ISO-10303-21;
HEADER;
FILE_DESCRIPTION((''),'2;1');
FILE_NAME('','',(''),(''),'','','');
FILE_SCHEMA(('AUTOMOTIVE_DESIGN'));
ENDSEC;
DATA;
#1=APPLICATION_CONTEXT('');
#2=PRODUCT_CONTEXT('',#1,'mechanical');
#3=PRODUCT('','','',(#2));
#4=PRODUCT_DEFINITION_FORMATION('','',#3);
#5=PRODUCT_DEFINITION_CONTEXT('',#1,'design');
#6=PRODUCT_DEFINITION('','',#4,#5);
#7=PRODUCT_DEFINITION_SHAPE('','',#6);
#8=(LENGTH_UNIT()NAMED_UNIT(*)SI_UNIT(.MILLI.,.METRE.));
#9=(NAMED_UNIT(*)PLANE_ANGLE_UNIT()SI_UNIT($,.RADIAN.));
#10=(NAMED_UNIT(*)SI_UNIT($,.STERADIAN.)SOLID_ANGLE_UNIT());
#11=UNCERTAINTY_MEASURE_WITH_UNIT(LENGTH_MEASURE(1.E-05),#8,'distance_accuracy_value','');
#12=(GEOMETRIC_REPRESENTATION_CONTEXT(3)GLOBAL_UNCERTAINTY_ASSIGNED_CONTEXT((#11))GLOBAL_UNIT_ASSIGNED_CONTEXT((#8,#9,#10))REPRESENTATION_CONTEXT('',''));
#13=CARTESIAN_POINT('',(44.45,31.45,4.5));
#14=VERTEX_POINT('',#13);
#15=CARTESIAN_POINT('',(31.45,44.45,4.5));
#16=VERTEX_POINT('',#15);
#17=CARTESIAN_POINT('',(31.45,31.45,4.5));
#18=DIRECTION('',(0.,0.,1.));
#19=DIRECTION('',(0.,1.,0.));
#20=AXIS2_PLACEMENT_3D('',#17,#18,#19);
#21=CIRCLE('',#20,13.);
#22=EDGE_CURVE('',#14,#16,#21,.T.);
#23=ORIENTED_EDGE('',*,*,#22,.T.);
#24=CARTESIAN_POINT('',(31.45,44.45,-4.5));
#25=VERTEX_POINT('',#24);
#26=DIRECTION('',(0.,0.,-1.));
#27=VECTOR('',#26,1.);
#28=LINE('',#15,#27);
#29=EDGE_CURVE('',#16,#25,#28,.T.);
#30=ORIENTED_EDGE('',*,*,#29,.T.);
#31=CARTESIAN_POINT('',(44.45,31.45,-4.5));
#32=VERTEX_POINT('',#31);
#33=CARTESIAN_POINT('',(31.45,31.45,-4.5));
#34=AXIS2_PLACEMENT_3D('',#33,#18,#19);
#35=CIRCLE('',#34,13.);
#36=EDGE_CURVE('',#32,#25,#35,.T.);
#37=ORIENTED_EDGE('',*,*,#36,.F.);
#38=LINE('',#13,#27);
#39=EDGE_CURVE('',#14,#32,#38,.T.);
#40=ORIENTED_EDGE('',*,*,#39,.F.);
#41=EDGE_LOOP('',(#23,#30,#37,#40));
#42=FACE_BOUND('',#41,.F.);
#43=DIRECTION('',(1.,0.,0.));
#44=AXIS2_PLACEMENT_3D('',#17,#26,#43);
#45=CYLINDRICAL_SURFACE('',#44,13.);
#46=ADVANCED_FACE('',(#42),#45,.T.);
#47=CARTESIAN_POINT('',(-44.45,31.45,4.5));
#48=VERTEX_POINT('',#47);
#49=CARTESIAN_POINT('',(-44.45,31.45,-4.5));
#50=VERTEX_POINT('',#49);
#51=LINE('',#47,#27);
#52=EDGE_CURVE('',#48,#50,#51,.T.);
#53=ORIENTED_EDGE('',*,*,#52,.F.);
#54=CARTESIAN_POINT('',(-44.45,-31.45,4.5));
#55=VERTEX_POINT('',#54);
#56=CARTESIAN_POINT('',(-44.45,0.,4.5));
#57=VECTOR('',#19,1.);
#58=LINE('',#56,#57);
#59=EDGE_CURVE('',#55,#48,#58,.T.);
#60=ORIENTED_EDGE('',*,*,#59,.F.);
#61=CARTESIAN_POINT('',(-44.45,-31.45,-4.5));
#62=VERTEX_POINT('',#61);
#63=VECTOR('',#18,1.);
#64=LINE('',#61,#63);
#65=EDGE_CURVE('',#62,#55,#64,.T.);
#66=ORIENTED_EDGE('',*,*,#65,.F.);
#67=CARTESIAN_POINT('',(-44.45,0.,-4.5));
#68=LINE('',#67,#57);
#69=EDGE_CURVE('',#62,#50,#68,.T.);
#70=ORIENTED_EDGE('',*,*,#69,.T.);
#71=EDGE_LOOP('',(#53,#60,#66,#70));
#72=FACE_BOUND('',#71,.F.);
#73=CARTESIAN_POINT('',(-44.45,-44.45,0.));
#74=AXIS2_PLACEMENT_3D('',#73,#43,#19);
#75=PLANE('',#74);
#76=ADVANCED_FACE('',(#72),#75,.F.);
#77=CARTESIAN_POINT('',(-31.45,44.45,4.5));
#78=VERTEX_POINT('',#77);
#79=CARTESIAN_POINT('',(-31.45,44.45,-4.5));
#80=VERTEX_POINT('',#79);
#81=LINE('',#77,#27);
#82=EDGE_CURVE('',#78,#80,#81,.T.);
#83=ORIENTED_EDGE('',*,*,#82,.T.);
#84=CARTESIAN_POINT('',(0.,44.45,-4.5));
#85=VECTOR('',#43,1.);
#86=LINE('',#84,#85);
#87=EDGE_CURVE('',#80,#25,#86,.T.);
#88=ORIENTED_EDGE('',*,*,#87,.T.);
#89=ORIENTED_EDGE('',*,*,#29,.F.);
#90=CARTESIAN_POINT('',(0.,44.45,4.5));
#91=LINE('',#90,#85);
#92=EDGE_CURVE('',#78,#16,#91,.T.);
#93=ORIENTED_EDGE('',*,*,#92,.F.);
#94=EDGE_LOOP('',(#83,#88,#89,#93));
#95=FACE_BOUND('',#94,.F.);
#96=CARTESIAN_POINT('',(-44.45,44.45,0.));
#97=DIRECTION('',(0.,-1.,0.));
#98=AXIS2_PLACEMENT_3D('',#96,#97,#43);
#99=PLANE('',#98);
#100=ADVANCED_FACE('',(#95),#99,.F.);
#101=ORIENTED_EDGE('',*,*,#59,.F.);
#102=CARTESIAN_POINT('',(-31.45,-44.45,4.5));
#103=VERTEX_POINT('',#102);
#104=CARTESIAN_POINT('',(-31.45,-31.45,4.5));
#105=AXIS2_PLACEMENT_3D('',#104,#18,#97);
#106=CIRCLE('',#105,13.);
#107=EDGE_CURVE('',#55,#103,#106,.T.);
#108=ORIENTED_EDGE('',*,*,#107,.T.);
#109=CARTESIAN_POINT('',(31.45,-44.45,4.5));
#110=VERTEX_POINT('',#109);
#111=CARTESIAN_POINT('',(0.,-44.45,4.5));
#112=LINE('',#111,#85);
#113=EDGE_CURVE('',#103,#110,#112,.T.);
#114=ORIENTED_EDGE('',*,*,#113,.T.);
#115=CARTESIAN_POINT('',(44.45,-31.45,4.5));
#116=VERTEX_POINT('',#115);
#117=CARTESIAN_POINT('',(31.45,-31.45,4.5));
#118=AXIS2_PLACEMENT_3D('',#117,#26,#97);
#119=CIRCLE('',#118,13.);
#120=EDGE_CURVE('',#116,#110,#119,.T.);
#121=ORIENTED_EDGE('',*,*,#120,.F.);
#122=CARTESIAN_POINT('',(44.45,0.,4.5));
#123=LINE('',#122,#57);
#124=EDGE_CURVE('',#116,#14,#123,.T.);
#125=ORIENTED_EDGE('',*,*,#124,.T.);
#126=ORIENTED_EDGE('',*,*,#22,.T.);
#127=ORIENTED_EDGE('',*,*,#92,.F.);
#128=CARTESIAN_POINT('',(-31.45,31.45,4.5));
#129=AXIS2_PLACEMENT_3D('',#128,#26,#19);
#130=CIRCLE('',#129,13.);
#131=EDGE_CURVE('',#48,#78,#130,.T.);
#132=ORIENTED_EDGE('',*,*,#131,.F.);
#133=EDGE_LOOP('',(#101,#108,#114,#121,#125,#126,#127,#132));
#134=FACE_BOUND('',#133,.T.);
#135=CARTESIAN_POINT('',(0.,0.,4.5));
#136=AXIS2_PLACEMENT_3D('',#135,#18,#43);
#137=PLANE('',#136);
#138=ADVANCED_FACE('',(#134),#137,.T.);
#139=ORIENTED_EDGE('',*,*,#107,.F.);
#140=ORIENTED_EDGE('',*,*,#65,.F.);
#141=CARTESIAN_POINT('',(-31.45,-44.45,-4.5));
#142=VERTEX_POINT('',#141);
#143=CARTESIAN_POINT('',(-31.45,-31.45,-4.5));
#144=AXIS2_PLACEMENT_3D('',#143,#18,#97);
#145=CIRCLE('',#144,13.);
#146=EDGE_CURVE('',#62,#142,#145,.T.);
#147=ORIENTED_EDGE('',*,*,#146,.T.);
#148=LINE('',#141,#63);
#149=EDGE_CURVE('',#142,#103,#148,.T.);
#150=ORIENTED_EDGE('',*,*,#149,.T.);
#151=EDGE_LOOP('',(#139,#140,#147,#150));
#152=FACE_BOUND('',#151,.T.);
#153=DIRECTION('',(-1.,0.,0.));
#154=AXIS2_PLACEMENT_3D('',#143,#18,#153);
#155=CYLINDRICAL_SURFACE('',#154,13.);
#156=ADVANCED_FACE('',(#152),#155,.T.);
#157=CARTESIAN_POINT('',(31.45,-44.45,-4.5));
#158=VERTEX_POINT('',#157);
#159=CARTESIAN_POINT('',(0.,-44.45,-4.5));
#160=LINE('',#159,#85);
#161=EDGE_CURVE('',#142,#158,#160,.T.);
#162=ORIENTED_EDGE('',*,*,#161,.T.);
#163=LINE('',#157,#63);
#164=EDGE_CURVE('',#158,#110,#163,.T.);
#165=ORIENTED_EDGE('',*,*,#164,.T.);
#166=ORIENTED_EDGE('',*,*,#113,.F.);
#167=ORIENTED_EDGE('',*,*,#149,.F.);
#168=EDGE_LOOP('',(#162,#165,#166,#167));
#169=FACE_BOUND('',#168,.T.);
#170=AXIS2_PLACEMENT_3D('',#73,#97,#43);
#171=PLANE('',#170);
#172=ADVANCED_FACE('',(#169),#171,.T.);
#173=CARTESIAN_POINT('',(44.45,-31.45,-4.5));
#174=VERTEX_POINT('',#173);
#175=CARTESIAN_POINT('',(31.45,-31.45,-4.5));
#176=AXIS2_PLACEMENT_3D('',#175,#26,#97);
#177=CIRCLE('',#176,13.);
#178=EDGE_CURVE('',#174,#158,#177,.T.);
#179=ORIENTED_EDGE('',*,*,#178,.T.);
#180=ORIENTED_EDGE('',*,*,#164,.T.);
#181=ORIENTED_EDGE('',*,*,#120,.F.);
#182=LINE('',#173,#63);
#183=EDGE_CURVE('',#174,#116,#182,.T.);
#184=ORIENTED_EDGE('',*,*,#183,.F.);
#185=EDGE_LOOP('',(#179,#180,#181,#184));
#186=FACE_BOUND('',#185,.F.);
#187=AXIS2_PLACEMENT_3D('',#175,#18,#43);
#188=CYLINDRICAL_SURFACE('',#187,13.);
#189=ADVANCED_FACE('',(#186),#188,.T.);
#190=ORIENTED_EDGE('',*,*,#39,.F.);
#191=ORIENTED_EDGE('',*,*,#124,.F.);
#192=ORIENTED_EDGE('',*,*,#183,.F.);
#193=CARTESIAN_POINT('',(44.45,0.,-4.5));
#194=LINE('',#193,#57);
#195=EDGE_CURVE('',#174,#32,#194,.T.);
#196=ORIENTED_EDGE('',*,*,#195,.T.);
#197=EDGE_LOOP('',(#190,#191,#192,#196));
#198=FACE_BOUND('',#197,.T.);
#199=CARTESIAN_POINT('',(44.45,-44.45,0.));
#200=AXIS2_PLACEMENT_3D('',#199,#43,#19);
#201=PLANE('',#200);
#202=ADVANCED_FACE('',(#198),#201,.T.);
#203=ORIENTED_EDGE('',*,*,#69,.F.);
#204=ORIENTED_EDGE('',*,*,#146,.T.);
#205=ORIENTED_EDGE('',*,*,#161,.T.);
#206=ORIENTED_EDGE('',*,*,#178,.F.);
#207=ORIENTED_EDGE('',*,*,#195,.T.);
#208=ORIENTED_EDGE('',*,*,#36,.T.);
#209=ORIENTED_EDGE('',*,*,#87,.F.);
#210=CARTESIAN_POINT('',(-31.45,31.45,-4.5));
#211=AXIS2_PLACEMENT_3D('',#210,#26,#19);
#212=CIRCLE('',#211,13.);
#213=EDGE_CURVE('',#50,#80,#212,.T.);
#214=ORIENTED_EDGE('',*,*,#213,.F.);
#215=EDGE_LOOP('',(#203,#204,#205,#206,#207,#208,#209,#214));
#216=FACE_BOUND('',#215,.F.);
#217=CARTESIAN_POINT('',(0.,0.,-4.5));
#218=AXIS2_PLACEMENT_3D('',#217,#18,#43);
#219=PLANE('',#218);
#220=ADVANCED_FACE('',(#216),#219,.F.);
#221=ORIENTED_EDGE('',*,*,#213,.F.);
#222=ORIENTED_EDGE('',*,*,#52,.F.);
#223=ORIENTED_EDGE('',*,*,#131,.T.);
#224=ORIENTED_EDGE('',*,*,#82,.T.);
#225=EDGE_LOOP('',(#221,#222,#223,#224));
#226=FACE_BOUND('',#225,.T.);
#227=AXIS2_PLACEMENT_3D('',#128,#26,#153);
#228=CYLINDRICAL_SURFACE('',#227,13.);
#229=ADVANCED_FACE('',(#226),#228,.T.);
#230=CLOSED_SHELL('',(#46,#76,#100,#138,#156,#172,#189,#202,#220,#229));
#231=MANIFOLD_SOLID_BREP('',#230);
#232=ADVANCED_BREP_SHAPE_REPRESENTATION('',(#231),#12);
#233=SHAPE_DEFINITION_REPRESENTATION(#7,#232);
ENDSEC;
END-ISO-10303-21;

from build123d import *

# Parameters (mm, degrees)
F0_W     = 88.9
F0_H     = 88.9
F1_DEPTH = 4.5
F2_R     = 13


with BuildPart() as f1:
    # F0 (on Top) → F1 (new body, symmetric)
    with BuildSketch(Plane.XY):
        Rectangle(F0_W, F0_H)
    extrude(amount=F1_DEPTH, both=True)

    # F2
    f2_edges = [f1.edges().sort_by_distance(p)[0] for p in [
        (44.45, -44.45, 0),
        (44.45, 44.45, 0),
        (-44.45, 44.45, 0),
        (-44.45, -44.45, 0),
    ]]
    fillet(f2_edges, radius=F2_R)


solid = f1.part
